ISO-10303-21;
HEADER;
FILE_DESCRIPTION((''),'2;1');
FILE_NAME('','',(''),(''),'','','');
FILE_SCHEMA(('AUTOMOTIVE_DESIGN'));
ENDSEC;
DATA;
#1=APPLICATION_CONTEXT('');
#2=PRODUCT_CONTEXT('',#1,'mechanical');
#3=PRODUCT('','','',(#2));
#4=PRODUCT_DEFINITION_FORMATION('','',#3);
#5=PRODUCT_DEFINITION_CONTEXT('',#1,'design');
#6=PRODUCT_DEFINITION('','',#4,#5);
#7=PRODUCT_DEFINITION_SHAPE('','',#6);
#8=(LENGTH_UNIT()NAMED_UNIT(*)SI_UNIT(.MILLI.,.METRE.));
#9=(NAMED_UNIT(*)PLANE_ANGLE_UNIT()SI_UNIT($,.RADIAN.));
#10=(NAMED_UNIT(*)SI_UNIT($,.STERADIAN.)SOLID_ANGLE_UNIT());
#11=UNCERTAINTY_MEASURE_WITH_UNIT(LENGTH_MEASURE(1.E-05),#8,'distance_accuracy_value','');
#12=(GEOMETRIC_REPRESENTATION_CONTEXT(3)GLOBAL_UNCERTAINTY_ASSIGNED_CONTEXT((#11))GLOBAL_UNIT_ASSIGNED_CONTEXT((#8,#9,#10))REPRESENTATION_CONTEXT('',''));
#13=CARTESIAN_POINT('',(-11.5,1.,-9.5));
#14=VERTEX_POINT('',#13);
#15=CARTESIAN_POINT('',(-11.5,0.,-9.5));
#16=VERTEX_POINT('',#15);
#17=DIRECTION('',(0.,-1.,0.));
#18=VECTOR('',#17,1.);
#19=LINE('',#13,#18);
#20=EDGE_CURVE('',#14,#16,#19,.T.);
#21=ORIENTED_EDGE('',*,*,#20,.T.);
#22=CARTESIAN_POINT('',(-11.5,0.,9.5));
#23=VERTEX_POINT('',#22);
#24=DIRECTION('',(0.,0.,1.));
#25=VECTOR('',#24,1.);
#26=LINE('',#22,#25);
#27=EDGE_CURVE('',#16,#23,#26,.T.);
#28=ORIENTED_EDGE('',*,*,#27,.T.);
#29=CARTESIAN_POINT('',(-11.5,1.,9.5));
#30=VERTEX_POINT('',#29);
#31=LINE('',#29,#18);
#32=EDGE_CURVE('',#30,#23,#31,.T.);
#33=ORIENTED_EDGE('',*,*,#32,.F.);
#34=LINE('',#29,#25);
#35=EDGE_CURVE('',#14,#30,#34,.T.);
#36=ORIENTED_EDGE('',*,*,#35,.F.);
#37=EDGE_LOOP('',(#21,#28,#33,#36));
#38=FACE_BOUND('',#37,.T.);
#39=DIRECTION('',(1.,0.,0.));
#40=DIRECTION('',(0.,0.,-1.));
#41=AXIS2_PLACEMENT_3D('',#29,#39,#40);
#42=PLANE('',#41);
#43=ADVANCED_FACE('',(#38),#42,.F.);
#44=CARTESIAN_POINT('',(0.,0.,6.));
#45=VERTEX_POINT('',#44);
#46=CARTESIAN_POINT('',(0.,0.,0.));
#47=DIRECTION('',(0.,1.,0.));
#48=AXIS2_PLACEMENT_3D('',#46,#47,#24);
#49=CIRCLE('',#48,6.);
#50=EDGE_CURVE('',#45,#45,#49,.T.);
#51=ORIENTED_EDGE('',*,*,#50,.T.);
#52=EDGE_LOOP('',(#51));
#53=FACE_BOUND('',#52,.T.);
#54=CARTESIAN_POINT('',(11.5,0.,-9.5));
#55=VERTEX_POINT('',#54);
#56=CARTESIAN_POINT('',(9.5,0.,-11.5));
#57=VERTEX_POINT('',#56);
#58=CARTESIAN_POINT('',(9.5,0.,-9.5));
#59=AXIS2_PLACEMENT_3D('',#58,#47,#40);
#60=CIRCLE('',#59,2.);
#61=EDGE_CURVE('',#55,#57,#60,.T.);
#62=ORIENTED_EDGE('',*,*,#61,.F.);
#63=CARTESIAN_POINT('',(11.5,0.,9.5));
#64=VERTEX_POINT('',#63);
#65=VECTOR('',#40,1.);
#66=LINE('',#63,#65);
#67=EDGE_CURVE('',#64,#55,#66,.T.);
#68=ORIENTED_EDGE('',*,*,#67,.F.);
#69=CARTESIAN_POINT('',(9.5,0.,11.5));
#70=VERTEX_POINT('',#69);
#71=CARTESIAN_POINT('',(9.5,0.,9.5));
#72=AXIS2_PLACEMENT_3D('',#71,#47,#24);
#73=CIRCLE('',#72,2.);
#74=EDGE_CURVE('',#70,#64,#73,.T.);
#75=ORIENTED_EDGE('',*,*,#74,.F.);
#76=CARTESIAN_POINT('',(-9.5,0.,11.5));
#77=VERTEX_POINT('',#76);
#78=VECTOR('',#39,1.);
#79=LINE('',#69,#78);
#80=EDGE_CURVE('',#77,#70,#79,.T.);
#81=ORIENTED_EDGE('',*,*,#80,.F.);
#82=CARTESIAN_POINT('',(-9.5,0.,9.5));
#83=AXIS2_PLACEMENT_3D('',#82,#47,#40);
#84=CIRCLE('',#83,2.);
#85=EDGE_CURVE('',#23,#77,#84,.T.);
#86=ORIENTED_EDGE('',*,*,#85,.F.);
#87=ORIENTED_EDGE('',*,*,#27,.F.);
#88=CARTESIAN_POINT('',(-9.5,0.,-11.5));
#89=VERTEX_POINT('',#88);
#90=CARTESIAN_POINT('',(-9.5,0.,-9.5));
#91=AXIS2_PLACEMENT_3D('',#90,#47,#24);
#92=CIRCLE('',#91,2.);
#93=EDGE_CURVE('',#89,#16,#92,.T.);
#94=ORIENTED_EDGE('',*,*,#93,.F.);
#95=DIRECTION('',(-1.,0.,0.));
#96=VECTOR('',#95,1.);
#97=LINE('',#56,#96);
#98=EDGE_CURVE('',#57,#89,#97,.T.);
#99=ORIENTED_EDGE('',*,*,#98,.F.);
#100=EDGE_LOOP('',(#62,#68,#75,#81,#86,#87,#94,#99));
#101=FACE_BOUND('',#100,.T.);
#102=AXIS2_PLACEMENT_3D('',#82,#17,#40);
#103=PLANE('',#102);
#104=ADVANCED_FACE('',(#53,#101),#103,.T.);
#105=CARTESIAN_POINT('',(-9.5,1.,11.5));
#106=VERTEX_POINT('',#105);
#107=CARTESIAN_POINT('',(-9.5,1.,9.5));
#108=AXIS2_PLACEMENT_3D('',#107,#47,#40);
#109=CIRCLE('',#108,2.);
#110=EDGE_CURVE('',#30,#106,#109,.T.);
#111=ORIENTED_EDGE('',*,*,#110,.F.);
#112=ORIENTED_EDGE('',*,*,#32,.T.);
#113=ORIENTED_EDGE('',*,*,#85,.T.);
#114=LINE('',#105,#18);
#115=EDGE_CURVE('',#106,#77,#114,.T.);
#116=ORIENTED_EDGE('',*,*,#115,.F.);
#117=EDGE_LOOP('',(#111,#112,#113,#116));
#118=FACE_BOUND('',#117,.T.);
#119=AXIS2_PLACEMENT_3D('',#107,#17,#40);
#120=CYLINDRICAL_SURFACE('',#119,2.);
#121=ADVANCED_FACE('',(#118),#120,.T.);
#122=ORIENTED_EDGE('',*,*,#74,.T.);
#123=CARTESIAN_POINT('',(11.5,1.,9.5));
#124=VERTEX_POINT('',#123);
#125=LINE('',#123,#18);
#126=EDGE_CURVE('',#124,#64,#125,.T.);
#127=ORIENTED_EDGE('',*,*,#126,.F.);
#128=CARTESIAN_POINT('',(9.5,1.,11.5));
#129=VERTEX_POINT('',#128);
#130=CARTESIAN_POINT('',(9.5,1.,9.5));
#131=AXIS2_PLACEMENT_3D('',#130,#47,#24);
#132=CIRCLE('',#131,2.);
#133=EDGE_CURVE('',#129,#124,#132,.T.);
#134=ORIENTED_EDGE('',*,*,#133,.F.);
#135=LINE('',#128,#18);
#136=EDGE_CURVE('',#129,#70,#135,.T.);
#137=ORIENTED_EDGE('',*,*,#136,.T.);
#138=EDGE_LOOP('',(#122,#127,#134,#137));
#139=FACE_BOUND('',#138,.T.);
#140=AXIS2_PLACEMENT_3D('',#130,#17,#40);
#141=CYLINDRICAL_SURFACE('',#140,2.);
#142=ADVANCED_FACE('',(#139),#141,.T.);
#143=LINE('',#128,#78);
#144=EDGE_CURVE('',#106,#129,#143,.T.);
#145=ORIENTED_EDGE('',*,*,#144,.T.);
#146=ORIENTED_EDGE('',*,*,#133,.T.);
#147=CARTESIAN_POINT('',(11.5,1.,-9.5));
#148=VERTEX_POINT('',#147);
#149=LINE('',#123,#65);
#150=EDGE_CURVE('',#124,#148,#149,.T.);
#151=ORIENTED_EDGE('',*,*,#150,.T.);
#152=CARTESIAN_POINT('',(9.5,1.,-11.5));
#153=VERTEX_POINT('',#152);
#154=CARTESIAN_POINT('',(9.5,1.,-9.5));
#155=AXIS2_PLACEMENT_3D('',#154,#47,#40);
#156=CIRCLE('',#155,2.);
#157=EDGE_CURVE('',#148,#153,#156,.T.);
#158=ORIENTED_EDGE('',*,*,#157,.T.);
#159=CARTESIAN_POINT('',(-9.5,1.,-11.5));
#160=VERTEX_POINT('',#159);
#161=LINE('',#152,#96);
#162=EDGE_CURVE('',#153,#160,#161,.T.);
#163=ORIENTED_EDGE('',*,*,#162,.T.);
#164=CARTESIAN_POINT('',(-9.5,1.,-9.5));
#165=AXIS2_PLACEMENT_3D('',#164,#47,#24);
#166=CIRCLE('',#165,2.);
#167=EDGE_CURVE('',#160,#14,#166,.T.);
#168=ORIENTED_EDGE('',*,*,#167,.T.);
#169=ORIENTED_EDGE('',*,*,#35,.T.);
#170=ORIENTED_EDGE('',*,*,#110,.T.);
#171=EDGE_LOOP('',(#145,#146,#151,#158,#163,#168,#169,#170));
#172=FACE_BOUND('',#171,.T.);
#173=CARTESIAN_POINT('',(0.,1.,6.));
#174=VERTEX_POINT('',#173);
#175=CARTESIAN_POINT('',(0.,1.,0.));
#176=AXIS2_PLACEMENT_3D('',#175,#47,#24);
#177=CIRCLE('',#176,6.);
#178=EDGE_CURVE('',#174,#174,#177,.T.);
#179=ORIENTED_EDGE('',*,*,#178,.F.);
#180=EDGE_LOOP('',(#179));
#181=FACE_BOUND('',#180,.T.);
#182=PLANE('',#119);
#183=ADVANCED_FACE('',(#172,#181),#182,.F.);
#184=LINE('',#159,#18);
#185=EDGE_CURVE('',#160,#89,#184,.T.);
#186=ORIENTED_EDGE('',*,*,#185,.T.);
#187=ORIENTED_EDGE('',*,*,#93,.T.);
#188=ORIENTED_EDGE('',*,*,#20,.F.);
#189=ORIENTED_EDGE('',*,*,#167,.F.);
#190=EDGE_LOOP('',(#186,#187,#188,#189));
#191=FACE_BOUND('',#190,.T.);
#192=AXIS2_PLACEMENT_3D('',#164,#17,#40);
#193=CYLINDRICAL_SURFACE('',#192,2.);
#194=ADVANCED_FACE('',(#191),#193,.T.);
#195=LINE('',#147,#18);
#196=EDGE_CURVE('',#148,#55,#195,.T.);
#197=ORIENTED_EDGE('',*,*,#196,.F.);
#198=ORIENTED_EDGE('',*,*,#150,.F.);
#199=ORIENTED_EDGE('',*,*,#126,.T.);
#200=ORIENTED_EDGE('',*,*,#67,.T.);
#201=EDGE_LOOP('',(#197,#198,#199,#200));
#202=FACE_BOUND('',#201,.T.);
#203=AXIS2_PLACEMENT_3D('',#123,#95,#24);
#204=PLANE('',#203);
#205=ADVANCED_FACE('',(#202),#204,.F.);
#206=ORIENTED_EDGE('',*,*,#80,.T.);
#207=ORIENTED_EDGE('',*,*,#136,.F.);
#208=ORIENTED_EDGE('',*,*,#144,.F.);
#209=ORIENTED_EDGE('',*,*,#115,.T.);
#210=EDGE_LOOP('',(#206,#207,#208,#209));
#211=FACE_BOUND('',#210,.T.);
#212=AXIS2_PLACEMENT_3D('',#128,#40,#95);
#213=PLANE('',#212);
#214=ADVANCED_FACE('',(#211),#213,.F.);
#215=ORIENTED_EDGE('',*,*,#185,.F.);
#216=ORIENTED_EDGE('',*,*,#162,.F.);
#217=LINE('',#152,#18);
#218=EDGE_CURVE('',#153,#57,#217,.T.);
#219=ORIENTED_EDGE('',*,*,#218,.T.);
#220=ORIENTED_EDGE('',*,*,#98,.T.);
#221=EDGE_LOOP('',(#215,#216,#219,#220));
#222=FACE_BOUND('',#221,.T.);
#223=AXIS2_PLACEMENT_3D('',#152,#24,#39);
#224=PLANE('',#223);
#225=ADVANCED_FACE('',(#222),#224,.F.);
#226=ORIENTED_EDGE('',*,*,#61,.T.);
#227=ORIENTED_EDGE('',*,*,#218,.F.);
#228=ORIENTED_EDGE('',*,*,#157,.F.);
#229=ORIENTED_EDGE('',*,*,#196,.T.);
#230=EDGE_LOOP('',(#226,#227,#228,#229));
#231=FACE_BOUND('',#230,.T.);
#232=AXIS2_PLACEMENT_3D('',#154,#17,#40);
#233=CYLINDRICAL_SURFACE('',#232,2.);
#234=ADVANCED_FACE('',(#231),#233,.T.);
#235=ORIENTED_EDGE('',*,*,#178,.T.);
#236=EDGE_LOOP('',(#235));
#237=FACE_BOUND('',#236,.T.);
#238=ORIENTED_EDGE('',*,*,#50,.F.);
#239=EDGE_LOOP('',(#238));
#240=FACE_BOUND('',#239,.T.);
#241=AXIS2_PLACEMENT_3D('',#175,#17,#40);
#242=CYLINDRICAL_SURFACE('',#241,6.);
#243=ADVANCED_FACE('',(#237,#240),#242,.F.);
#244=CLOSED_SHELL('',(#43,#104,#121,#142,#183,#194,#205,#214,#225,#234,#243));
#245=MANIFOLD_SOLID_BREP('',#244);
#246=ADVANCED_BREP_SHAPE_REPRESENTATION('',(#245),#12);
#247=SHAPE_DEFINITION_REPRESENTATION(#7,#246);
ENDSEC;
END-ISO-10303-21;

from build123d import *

# Parameters (mm, degrees)
SKETCH_2_R      = 6
EXTRUDE_1_DEPTH = 1


with BuildPart() as part:
    # Эскиз2 → Бобышка-Вытянуть1 (new body)
    with BuildSketch(Plane(origin=(0, 0, 0), x_dir=(1, 0, 0), z_dir=(0, 1, 0))):
        with BuildLine():
            Line((9.5, -11.5), (-9.5, -11.5))
            ThreePointArc((-9.5, -11.5), (-10.914213562, -10.914213562), (-11.5, -9.5))
            Line((-11.5, -9.5), (-11.5, 9.5))
            ThreePointArc((-11.5, 9.5), (-10.914213562, 10.914213562), (-9.5, 11.5))
            Line((-9.5, 11.5), (9.5, 11.5))
            ThreePointArc((9.5, 11.5), (10.914213562, 10.914213562), (11.5, 9.5))
            Line((11.5, 9.5), (11.5, -9.5))
            ThreePointArc((11.5, -9.5), (10.914213562, -10.914213562), (9.5, -11.5))
        make_face()
        Circle(SKETCH_2_R, mode=Mode.SUBTRACT)
    extrude(amount=EXTRUDE_1_DEPTH)


solid = part.part
